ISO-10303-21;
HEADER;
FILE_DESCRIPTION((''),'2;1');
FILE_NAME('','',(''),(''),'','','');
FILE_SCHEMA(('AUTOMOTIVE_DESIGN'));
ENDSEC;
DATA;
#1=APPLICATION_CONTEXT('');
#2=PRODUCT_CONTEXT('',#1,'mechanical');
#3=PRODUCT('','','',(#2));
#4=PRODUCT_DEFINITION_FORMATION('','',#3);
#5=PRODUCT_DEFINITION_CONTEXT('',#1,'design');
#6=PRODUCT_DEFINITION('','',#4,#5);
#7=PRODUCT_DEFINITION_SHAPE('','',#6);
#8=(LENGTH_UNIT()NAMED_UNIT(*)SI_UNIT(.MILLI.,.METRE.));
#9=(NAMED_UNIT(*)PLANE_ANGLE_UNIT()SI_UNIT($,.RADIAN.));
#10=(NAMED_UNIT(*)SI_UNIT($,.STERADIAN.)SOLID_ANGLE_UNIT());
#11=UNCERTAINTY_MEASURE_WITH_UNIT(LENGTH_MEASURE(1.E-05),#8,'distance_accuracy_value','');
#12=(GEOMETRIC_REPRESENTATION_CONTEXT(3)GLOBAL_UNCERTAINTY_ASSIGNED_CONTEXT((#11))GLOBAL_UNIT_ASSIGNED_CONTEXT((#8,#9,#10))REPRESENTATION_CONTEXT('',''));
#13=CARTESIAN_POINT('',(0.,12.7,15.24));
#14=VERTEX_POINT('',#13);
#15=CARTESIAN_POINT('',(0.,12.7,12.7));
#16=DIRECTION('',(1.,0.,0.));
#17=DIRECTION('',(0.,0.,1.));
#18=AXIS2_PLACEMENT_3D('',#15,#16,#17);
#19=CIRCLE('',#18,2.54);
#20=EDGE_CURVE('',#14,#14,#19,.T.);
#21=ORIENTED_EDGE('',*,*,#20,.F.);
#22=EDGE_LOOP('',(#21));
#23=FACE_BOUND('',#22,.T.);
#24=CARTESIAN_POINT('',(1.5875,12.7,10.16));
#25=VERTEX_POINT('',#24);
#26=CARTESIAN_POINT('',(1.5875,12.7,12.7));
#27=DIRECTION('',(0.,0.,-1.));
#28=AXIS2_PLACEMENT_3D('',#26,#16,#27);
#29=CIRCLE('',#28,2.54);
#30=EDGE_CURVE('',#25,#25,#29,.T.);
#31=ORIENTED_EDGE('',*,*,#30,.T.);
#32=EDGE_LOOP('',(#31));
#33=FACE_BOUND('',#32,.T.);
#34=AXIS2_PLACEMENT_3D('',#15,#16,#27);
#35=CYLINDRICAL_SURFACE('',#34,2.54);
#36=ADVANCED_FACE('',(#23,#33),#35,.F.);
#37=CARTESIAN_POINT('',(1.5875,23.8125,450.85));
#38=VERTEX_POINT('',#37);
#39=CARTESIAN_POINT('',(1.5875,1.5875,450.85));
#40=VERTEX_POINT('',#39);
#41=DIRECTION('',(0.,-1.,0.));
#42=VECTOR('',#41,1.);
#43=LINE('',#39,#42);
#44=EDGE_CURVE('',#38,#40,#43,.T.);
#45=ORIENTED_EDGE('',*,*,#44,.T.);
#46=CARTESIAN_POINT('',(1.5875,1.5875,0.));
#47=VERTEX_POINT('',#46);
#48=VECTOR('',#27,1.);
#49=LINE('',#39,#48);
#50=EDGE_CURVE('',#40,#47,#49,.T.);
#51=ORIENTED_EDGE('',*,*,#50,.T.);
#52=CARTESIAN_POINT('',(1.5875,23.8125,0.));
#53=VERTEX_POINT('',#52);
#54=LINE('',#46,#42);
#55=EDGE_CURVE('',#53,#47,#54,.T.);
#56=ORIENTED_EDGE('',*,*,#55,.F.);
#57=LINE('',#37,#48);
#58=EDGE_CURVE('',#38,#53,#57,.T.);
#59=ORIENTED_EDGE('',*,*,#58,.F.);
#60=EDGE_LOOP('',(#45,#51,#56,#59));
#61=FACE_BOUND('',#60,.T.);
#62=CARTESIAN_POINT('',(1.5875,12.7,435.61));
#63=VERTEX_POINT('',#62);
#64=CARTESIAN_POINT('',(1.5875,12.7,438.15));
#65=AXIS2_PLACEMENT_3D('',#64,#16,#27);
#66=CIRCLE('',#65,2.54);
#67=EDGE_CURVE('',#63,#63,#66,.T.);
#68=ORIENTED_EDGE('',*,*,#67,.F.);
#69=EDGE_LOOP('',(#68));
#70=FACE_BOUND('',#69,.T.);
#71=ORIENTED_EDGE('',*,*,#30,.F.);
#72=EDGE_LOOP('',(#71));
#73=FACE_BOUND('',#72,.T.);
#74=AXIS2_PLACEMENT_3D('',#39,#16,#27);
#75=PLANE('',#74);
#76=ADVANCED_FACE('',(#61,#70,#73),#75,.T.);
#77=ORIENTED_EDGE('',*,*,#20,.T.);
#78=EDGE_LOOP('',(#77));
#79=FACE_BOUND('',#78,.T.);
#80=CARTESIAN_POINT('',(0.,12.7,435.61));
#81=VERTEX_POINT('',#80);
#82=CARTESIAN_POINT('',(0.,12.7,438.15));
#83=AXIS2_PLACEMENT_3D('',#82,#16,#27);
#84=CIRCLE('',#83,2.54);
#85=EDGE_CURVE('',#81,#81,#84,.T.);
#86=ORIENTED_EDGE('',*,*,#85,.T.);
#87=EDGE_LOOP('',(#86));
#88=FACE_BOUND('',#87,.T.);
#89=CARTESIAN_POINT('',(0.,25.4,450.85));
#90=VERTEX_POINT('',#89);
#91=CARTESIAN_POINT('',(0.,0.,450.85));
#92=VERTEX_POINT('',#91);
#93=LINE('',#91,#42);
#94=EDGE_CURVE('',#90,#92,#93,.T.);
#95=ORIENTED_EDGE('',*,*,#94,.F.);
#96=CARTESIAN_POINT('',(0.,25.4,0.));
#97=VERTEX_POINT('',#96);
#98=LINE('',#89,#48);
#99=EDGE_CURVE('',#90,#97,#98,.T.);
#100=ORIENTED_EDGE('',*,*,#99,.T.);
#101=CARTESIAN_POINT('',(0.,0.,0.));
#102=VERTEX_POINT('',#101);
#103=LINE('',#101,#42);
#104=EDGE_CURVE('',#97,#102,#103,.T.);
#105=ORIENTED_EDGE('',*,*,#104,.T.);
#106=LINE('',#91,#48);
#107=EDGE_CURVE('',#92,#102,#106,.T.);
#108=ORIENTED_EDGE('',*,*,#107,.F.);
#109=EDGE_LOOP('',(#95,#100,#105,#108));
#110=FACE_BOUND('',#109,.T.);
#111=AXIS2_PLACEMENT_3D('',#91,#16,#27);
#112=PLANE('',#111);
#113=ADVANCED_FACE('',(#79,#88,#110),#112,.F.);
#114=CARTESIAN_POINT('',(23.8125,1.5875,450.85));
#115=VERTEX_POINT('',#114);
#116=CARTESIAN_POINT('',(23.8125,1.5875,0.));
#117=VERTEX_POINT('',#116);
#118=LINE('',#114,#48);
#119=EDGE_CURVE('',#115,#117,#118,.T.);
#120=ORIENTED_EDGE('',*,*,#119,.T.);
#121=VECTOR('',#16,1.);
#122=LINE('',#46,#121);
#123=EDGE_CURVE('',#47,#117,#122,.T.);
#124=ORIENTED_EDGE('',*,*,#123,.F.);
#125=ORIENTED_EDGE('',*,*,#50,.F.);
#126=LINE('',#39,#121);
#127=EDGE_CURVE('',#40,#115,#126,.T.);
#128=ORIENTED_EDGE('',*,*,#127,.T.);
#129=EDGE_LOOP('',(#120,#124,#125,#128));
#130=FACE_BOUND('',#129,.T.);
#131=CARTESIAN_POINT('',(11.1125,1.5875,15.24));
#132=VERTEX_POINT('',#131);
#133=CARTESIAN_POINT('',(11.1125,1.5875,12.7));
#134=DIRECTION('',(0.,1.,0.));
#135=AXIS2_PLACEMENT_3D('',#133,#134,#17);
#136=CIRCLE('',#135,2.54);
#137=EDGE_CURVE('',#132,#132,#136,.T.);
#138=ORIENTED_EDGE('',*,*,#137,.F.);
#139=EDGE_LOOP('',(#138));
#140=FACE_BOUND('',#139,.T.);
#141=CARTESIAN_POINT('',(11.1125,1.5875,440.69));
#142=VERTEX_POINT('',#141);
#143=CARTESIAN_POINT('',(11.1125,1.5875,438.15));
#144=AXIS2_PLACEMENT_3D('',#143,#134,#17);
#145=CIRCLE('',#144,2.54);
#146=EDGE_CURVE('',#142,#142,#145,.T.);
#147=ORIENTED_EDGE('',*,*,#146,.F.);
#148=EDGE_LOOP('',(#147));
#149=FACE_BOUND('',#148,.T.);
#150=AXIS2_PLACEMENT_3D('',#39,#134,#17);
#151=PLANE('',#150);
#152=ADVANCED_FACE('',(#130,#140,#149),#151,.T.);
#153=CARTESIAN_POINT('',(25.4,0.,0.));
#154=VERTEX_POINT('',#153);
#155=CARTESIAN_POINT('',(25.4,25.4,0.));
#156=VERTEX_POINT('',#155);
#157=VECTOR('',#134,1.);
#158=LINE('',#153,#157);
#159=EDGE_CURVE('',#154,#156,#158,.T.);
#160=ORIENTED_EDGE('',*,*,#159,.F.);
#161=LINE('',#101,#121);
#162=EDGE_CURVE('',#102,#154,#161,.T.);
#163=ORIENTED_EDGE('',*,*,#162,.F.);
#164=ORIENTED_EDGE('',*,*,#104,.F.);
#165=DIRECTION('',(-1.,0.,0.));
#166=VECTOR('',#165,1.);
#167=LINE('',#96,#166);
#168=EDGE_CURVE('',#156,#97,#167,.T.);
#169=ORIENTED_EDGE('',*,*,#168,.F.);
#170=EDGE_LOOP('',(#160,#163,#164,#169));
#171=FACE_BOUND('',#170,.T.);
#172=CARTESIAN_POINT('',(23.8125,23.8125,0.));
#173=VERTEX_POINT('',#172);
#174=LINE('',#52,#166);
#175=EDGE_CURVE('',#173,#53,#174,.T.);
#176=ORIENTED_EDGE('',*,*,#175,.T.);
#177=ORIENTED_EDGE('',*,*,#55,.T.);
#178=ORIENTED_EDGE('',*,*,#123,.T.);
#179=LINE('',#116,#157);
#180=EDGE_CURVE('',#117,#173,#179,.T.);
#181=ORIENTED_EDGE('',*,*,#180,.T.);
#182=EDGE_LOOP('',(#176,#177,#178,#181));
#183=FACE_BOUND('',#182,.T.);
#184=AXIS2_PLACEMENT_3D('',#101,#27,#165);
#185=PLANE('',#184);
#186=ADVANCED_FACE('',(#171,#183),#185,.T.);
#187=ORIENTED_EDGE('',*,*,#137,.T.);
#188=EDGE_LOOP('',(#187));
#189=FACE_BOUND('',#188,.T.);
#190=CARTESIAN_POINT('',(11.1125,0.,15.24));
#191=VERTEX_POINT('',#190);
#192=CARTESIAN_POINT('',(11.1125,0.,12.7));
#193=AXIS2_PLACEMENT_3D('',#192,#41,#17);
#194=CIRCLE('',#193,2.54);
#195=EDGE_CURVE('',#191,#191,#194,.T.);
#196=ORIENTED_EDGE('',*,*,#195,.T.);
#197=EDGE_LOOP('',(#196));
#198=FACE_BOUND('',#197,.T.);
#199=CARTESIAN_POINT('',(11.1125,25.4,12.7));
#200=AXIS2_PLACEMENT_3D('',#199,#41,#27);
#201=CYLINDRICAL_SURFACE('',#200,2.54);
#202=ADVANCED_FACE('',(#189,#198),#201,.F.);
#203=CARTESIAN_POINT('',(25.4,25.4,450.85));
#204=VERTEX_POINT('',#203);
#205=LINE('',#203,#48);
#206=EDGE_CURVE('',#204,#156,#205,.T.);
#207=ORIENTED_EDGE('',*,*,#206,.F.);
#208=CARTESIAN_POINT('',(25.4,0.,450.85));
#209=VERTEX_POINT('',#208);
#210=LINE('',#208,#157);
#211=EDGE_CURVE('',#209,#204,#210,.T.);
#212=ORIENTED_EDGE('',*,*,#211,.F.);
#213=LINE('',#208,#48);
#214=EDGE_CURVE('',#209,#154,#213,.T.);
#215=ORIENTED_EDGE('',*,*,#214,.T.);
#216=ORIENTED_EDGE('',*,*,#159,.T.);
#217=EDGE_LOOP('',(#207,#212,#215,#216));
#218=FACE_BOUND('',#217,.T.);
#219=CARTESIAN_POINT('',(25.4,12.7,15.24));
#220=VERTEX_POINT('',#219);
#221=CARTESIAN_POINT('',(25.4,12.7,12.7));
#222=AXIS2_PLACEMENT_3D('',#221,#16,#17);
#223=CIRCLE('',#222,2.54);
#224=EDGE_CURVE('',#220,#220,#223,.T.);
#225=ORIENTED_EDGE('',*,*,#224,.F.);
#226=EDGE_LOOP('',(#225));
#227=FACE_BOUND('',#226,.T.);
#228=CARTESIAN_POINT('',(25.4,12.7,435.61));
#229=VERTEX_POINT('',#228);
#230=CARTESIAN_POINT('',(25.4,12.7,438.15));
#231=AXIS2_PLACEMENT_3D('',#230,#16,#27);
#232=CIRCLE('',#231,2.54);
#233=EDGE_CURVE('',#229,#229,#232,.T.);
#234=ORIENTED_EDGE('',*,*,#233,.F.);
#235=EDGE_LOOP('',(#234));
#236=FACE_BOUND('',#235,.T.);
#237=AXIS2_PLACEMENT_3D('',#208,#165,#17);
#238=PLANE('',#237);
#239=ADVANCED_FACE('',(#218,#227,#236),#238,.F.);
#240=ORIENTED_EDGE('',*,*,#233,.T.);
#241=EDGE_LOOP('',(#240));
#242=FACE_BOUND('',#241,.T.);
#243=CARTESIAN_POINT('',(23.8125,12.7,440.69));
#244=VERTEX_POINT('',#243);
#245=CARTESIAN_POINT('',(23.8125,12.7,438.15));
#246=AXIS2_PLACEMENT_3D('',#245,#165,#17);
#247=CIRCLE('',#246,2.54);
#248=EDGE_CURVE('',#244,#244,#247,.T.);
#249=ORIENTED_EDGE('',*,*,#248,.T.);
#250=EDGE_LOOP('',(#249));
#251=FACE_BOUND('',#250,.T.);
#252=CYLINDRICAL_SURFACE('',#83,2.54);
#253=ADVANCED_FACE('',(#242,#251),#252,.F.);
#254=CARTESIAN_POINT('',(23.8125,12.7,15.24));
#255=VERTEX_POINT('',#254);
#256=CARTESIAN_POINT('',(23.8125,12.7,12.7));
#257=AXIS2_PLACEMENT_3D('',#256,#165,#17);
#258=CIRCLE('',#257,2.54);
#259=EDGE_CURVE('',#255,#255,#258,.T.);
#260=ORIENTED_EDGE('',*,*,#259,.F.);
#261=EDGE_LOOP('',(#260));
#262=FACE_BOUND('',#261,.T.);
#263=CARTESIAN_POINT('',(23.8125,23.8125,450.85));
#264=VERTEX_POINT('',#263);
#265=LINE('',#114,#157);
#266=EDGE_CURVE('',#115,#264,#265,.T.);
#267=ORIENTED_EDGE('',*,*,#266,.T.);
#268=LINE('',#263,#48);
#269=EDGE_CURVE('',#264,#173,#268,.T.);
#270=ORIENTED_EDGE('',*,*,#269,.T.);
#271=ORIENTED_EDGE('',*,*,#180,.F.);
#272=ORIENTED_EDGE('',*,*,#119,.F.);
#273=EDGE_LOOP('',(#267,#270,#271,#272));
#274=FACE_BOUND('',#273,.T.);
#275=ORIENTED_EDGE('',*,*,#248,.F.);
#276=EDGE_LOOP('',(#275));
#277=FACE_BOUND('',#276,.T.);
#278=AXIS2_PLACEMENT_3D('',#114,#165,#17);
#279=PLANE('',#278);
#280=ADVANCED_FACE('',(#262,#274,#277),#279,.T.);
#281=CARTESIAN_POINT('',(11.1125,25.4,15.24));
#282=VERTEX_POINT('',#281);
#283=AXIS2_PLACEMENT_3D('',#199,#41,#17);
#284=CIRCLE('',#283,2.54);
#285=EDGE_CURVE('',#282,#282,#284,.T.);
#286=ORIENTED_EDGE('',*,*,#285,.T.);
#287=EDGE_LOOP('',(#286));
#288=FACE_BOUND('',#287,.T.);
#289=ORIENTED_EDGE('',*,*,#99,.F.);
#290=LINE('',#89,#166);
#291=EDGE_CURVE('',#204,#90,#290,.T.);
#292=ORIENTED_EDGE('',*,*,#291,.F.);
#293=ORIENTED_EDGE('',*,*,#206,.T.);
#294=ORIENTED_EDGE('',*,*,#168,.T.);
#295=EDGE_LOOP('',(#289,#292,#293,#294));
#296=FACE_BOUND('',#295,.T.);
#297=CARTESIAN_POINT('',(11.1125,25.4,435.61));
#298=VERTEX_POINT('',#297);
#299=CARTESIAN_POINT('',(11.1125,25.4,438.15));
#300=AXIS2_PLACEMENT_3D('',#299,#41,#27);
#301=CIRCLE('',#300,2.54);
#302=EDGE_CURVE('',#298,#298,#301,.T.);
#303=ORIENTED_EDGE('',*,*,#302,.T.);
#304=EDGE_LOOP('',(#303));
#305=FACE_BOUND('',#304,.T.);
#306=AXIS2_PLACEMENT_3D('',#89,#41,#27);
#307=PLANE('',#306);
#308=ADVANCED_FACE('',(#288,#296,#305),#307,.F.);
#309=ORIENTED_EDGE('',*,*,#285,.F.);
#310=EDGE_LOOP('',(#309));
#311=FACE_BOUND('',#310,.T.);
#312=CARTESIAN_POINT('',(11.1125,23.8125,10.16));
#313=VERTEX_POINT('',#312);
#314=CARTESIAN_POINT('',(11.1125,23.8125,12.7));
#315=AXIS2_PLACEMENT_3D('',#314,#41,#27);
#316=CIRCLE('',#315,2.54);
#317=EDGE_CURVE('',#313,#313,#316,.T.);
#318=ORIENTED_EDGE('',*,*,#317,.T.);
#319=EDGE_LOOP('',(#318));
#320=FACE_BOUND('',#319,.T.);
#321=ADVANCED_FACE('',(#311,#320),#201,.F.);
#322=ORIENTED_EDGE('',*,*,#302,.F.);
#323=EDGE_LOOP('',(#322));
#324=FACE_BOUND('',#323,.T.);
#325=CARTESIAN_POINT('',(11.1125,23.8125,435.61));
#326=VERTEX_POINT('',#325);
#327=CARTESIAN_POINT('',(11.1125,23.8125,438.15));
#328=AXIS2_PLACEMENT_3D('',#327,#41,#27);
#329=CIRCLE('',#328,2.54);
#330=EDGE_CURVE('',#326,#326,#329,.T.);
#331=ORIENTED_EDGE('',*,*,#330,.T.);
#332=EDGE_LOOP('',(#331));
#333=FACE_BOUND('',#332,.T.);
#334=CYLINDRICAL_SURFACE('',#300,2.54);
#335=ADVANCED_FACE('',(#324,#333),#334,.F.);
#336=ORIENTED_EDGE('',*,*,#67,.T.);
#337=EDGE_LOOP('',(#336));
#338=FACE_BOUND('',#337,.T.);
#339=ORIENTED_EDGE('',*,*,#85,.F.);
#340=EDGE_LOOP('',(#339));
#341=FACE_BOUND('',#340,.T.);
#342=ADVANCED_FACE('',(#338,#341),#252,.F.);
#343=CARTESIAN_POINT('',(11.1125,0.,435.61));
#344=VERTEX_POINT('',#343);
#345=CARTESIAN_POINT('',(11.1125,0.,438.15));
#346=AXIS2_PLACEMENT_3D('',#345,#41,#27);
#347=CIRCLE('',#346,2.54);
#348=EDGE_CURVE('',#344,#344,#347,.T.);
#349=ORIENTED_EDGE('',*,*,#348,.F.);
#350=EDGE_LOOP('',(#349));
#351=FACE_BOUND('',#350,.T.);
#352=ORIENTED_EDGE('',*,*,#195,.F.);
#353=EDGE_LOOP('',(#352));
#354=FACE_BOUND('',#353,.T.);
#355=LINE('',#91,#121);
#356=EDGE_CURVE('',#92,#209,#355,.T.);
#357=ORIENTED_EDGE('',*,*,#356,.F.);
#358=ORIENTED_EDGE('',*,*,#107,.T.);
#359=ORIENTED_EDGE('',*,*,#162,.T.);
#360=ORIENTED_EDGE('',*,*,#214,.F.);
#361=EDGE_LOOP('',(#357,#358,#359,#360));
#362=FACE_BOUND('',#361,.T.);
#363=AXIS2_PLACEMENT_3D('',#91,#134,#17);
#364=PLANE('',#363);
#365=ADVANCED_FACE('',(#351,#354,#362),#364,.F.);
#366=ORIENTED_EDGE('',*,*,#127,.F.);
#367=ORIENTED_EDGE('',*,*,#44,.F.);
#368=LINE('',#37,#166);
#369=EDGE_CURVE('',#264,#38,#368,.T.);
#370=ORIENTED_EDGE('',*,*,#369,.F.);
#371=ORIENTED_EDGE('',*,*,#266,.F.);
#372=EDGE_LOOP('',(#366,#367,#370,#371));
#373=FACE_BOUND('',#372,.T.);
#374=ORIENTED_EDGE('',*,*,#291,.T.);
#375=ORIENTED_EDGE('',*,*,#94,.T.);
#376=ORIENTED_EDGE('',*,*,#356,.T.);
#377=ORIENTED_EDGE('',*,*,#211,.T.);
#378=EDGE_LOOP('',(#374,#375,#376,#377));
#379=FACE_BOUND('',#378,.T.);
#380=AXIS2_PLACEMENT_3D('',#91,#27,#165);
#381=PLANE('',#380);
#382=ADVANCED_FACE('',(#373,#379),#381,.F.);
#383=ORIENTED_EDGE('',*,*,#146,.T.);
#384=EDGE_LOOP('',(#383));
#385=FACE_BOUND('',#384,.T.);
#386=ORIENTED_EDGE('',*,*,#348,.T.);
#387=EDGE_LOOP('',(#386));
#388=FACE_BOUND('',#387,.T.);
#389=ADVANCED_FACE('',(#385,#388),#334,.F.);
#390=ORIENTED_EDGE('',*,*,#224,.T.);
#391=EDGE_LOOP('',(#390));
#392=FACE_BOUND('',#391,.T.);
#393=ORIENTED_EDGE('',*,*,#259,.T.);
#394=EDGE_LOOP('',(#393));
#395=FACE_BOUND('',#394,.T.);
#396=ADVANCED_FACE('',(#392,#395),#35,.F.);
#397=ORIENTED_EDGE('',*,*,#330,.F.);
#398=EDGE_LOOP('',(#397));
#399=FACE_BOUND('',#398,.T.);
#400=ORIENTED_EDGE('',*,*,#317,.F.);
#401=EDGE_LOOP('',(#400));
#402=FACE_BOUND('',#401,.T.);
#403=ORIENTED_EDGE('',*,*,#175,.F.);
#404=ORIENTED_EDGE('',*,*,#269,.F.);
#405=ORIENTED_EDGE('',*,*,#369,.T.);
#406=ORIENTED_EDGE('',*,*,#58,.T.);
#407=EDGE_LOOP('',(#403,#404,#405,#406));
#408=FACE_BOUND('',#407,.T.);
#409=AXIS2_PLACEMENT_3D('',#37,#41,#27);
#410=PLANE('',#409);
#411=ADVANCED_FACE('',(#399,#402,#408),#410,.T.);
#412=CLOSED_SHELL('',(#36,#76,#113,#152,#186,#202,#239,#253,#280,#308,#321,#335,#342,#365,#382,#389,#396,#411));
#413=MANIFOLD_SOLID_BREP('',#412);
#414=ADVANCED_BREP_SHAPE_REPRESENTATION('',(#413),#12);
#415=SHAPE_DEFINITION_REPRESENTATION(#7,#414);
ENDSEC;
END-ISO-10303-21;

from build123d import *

# Parameters (mm, degrees)
SKETCH1_W           = 25.4
SKETCH1_H           = 25.4
SKETCH1_W_2         = 22.225
SKETCH1_H_2         = 22.225
BOSS_EXTRUDE1_DEPTH = 450.85
SKETCH4_R           = 2.54
CUT_EXTRUDE3_DEPTH  = 453.278722139
SKETCH5_R           = 2.54
CUT_EXTRUDE4_DEPTH  = 453.278722139


with BuildPart() as part:
    # Sketch1 → Boss-Extrude1 (new body)
    with BuildSketch(Plane.XY):
        with Locations((12.7, 12.7)):
            Rectangle(SKETCH1_W, SKETCH1_H)
        with Locations((12.7, 12.7)):
            Rectangle(SKETCH1_W_2, SKETCH1_H_2, mode=Mode.SUBTRACT)
    extrude(amount=BOSS_EXTRUDE1_DEPTH)

    # Sketch4 → Cut-Extrude3 (cut, through all)
    with BuildSketch(Plane(origin=(25.4, 0, 0), x_dir=(0, 0, -1), z_dir=(1, 0, 0))):
        with Locations((-438.15, 12.7)):
            Circle(SKETCH4_R)
        with Locations(Location((-12.7, 12.7, 0), (0, 0, 180))):
            Circle(SKETCH4_R)
    extrude(amount=-CUT_EXTRUDE3_DEPTH, mode=Mode.SUBTRACT)

    # Sketch5 → Cut-Extrude4 (cut, through all)
    with BuildSketch(Plane.XZ):
        with Locations(Location((11.1125, 438.15, 0), (0, 0, 270))):
            Circle(SKETCH5_R)
        with Locations(Location((11.1125, 12.7, 0), (0, 0, 270))):
            Circle(SKETCH5_R)
    extrude(amount=-CUT_EXTRUDE4_DEPTH, mode=Mode.SUBTRACT)


solid = part.part
